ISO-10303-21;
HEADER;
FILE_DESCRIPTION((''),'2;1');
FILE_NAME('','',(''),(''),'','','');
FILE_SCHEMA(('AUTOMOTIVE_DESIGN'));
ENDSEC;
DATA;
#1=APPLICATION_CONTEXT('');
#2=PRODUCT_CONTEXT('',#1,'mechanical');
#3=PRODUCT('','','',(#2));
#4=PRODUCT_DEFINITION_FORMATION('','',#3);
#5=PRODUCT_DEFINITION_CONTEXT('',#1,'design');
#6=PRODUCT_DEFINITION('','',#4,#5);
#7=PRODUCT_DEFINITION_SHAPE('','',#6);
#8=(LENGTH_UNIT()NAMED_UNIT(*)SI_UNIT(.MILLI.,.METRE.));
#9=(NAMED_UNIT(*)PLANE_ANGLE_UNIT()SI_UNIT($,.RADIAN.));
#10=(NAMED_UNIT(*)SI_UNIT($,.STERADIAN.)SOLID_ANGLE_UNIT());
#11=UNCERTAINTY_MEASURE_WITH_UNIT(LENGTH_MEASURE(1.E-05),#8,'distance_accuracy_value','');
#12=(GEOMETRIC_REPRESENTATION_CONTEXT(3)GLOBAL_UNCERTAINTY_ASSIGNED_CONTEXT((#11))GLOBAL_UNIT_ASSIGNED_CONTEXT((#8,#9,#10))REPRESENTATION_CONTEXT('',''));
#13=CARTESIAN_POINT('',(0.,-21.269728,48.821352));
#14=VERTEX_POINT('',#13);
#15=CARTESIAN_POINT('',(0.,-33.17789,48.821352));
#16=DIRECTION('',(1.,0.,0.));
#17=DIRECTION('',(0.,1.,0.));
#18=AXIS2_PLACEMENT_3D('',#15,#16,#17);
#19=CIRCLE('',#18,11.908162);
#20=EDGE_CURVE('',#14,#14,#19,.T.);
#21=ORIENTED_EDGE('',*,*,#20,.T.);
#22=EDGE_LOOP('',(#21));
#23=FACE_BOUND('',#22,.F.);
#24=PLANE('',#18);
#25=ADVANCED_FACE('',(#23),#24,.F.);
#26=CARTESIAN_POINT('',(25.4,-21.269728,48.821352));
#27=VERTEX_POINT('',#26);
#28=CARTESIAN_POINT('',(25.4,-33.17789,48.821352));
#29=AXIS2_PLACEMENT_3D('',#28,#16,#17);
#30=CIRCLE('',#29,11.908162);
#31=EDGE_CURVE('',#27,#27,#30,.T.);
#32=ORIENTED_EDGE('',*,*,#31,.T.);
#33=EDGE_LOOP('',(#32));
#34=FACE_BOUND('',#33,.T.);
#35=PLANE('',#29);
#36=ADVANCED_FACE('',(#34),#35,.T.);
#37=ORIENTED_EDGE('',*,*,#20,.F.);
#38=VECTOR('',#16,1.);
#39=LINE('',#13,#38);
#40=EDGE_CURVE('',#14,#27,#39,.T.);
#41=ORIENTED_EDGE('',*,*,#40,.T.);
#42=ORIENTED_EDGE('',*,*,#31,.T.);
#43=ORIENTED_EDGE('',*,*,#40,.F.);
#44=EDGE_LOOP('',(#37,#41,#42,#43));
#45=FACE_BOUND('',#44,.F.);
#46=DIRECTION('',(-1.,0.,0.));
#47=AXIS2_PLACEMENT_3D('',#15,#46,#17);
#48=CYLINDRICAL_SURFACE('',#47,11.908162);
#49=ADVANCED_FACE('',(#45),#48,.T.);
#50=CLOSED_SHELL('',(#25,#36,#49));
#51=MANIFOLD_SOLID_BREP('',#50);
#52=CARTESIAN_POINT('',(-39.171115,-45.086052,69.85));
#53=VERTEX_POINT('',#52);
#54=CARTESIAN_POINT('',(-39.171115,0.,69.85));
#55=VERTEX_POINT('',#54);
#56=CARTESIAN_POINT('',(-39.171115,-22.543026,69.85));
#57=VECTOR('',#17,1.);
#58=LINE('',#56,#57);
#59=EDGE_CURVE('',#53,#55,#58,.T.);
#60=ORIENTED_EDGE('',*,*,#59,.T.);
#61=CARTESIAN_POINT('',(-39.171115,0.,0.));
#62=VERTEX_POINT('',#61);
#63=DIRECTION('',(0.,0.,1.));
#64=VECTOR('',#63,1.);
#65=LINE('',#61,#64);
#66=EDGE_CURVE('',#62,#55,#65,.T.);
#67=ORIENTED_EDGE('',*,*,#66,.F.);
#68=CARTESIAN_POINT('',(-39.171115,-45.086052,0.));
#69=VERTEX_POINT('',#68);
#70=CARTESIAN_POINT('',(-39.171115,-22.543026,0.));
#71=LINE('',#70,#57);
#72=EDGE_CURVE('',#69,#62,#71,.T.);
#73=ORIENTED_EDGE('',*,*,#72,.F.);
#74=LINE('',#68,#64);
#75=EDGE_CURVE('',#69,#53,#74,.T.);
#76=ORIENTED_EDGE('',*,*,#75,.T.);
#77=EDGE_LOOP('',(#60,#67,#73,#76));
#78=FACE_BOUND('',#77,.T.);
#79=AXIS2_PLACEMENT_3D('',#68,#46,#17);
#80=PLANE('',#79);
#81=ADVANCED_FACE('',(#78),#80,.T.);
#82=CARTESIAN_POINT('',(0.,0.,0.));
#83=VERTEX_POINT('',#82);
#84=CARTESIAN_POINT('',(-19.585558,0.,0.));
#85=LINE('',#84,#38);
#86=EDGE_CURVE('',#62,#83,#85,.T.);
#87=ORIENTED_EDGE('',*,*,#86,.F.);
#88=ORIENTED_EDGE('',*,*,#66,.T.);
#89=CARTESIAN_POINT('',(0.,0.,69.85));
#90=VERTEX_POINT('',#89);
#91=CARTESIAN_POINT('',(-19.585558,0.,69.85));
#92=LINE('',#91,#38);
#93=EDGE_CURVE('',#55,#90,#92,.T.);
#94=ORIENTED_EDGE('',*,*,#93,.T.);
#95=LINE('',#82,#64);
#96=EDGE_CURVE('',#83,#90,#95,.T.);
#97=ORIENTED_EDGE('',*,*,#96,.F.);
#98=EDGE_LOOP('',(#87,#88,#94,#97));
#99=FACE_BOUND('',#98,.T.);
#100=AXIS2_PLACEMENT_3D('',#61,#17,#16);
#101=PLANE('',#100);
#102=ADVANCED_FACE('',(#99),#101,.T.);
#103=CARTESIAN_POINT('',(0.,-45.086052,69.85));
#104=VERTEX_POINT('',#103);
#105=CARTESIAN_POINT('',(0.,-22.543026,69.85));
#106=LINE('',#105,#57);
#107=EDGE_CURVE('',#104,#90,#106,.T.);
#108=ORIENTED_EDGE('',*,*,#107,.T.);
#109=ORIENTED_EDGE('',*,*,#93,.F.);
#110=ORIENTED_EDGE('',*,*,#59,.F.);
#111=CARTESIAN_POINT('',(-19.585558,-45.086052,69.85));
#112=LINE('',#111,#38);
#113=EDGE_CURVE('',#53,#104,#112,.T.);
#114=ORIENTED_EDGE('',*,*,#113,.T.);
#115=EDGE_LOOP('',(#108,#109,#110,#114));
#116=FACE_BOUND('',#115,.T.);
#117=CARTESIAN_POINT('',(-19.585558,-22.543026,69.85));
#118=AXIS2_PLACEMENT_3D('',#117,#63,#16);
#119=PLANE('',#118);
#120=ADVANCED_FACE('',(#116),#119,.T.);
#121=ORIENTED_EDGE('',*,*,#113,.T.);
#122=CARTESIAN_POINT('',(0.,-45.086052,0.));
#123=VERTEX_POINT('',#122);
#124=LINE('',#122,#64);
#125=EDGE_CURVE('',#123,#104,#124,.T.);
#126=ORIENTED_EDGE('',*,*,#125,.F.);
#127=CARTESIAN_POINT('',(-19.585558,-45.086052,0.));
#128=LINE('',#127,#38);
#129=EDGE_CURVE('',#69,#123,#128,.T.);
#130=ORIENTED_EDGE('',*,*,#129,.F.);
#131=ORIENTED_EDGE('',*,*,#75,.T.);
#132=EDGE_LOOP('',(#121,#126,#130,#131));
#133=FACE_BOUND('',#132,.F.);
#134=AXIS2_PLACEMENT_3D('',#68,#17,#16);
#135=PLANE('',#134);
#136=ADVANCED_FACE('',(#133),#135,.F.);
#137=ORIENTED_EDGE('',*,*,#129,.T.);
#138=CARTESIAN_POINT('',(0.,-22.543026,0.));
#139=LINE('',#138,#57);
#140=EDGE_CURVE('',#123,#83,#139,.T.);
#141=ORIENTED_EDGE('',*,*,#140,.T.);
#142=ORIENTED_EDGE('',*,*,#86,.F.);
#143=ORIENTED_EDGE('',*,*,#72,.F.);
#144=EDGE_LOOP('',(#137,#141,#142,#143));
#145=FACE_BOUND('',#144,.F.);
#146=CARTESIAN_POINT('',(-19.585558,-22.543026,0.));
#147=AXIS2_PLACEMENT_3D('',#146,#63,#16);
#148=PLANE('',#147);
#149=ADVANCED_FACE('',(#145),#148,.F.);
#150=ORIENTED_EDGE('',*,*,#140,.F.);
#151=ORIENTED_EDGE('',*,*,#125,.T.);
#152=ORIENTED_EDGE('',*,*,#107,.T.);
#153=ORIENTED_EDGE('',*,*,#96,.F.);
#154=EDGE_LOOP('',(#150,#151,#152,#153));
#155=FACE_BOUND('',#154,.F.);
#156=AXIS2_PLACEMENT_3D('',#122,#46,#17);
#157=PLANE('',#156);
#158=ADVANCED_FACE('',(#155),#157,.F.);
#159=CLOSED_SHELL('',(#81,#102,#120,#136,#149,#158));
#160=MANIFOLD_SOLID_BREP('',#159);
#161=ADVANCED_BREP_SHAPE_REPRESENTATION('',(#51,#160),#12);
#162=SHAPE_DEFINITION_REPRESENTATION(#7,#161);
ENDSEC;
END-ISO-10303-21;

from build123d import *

# Parameters (mm, degrees)
F0_W     = 39.171115
F0_H     = 45.086052
F1_DEPTH = 69.85
F2_R     = 11.908162
F3_DEPTH = 25.4


with BuildPart() as f1:
    # F0 (on Top) → F1 (new body)
    with BuildSketch(Plane.XY):
        with Locations((-19.585558, -22.543026)):
            Rectangle(F0_W, F0_H)
    extrude(amount=F1_DEPTH)

    # F2 (on face) → F3 (join)
    with BuildSketch(Plane.YZ):
        with Locations((-33.17789, 48.821352)):
            Circle(F2_R)
    extrude(amount=F3_DEPTH)


solid = f1.part
